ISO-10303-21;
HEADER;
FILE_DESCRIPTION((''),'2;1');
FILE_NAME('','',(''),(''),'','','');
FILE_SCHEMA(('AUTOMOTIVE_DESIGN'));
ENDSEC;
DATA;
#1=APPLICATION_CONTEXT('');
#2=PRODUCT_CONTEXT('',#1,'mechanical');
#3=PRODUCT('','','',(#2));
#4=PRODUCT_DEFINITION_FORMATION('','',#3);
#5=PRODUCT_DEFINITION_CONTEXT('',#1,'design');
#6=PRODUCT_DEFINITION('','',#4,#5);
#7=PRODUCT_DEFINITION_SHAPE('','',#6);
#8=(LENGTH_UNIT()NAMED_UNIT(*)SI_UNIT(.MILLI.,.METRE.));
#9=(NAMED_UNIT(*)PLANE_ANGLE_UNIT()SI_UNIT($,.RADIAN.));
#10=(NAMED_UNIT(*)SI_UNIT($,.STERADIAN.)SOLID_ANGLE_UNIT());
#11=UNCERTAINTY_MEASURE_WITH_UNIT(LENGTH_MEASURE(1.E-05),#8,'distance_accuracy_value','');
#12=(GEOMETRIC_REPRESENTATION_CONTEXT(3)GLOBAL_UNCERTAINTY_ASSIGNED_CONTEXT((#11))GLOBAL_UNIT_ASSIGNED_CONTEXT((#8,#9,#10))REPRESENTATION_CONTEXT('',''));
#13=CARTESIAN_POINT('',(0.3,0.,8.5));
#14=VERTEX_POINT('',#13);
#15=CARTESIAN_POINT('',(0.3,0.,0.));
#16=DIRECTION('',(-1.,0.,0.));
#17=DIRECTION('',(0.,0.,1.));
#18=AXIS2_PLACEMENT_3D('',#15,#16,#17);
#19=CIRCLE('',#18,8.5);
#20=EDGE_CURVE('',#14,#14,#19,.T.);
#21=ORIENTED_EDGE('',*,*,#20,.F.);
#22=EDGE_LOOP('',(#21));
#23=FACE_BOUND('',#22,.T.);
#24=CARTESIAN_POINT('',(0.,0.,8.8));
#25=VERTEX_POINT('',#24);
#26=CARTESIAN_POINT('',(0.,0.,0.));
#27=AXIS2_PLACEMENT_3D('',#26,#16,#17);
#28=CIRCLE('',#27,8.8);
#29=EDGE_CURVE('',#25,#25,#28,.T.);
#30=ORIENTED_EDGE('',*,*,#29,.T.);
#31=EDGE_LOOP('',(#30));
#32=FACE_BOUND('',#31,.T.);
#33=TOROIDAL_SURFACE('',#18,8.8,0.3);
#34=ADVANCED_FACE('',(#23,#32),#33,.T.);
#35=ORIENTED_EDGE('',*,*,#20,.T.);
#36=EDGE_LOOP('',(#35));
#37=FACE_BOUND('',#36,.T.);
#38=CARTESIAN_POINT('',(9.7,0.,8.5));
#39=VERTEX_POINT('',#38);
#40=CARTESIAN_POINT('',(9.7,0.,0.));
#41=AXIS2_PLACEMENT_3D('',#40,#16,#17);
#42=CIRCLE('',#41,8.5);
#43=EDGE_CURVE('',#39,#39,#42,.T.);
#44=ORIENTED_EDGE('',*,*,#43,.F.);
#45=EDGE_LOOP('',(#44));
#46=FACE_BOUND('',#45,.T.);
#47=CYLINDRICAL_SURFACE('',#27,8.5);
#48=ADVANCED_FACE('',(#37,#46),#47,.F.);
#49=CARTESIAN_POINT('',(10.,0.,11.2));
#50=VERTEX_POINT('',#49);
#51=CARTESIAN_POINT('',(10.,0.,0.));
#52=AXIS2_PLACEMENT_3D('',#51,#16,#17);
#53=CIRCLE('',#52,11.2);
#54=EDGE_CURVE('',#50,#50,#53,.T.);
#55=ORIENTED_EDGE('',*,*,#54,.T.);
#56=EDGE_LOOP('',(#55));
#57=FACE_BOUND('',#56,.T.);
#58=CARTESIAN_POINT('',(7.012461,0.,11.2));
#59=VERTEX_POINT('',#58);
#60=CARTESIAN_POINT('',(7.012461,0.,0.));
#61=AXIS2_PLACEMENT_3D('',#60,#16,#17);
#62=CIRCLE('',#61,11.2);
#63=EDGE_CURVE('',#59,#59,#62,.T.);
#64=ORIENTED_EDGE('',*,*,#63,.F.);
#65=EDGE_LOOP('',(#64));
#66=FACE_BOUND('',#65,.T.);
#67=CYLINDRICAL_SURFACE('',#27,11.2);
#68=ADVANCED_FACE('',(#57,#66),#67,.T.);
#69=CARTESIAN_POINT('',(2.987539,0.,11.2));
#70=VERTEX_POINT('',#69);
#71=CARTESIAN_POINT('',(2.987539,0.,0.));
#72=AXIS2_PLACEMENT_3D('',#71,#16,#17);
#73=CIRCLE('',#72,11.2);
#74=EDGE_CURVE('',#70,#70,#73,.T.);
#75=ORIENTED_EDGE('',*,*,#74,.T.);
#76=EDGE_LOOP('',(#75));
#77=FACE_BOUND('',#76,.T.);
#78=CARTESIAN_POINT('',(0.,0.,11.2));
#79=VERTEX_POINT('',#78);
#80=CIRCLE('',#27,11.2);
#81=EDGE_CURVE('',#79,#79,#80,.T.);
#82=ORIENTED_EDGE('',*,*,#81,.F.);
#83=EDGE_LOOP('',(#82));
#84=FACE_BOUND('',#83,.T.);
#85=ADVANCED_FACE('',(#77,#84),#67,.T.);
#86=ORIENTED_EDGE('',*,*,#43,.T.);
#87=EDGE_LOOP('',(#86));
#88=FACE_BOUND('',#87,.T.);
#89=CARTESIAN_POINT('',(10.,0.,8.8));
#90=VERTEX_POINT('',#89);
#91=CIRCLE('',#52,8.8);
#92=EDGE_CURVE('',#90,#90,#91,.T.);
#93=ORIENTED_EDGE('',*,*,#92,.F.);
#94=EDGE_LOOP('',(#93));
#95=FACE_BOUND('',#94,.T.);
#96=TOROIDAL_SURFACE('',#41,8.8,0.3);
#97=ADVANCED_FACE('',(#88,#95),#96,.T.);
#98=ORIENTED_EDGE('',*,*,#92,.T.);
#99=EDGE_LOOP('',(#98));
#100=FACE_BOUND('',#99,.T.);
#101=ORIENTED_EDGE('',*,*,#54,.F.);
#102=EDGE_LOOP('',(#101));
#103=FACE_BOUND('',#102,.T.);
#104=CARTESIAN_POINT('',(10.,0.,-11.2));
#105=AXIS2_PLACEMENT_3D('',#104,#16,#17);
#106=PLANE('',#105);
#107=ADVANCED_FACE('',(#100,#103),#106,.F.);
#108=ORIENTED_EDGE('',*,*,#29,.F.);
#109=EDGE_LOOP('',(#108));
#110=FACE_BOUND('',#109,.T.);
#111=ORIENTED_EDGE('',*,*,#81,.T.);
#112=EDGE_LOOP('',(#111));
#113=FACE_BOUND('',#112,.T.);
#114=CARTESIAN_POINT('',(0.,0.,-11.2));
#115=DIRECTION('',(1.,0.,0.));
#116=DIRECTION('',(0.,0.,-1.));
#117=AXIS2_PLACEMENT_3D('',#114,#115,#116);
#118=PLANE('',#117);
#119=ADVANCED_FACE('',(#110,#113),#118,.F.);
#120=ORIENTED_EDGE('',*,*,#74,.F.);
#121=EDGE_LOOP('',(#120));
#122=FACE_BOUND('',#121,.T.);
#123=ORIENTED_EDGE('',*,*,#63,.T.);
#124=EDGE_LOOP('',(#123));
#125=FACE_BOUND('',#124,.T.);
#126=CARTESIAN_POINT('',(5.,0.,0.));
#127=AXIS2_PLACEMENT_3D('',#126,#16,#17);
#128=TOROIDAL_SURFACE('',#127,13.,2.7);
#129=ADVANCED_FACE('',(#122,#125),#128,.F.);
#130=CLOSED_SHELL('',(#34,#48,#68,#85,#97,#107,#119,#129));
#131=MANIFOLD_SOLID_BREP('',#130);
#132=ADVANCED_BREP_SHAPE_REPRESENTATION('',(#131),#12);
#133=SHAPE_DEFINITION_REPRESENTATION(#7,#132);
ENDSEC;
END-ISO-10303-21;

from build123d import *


with BuildPart() as part:
    # Esquisse1 → Base-Révolution (revolve)
    with BuildSketch(Plane(origin=(0, 0, 0), x_dir=(1, 0, 0), z_dir=(0, 1, 0))):
        with BuildLine():
            Line((0, 11.2), (0, 8.8))
            ThreePointArc((0, 8.8), (0.087867966, 8.587867966), (0.3, 8.5))
            Line((0.3, 8.5), (9.7, 8.5))
            ThreePointArc((9.7, 8.5), (9.912132034, 8.587867966), (10, 8.8))
            Line((10, 8.8), (10, 11.2))
            Line((10, 11.2), (7.01246118, 11.2))
            ThreePointArc((7.01246118, 11.2), (5, 10.3), (2.98753882, 11.2))
            Line((2.98753882, 11.2), (0, 11.2))
        make_face()
    revolve(axis=Axis((0, 0, 0), (1, 0, 0)))


solid = part.part
